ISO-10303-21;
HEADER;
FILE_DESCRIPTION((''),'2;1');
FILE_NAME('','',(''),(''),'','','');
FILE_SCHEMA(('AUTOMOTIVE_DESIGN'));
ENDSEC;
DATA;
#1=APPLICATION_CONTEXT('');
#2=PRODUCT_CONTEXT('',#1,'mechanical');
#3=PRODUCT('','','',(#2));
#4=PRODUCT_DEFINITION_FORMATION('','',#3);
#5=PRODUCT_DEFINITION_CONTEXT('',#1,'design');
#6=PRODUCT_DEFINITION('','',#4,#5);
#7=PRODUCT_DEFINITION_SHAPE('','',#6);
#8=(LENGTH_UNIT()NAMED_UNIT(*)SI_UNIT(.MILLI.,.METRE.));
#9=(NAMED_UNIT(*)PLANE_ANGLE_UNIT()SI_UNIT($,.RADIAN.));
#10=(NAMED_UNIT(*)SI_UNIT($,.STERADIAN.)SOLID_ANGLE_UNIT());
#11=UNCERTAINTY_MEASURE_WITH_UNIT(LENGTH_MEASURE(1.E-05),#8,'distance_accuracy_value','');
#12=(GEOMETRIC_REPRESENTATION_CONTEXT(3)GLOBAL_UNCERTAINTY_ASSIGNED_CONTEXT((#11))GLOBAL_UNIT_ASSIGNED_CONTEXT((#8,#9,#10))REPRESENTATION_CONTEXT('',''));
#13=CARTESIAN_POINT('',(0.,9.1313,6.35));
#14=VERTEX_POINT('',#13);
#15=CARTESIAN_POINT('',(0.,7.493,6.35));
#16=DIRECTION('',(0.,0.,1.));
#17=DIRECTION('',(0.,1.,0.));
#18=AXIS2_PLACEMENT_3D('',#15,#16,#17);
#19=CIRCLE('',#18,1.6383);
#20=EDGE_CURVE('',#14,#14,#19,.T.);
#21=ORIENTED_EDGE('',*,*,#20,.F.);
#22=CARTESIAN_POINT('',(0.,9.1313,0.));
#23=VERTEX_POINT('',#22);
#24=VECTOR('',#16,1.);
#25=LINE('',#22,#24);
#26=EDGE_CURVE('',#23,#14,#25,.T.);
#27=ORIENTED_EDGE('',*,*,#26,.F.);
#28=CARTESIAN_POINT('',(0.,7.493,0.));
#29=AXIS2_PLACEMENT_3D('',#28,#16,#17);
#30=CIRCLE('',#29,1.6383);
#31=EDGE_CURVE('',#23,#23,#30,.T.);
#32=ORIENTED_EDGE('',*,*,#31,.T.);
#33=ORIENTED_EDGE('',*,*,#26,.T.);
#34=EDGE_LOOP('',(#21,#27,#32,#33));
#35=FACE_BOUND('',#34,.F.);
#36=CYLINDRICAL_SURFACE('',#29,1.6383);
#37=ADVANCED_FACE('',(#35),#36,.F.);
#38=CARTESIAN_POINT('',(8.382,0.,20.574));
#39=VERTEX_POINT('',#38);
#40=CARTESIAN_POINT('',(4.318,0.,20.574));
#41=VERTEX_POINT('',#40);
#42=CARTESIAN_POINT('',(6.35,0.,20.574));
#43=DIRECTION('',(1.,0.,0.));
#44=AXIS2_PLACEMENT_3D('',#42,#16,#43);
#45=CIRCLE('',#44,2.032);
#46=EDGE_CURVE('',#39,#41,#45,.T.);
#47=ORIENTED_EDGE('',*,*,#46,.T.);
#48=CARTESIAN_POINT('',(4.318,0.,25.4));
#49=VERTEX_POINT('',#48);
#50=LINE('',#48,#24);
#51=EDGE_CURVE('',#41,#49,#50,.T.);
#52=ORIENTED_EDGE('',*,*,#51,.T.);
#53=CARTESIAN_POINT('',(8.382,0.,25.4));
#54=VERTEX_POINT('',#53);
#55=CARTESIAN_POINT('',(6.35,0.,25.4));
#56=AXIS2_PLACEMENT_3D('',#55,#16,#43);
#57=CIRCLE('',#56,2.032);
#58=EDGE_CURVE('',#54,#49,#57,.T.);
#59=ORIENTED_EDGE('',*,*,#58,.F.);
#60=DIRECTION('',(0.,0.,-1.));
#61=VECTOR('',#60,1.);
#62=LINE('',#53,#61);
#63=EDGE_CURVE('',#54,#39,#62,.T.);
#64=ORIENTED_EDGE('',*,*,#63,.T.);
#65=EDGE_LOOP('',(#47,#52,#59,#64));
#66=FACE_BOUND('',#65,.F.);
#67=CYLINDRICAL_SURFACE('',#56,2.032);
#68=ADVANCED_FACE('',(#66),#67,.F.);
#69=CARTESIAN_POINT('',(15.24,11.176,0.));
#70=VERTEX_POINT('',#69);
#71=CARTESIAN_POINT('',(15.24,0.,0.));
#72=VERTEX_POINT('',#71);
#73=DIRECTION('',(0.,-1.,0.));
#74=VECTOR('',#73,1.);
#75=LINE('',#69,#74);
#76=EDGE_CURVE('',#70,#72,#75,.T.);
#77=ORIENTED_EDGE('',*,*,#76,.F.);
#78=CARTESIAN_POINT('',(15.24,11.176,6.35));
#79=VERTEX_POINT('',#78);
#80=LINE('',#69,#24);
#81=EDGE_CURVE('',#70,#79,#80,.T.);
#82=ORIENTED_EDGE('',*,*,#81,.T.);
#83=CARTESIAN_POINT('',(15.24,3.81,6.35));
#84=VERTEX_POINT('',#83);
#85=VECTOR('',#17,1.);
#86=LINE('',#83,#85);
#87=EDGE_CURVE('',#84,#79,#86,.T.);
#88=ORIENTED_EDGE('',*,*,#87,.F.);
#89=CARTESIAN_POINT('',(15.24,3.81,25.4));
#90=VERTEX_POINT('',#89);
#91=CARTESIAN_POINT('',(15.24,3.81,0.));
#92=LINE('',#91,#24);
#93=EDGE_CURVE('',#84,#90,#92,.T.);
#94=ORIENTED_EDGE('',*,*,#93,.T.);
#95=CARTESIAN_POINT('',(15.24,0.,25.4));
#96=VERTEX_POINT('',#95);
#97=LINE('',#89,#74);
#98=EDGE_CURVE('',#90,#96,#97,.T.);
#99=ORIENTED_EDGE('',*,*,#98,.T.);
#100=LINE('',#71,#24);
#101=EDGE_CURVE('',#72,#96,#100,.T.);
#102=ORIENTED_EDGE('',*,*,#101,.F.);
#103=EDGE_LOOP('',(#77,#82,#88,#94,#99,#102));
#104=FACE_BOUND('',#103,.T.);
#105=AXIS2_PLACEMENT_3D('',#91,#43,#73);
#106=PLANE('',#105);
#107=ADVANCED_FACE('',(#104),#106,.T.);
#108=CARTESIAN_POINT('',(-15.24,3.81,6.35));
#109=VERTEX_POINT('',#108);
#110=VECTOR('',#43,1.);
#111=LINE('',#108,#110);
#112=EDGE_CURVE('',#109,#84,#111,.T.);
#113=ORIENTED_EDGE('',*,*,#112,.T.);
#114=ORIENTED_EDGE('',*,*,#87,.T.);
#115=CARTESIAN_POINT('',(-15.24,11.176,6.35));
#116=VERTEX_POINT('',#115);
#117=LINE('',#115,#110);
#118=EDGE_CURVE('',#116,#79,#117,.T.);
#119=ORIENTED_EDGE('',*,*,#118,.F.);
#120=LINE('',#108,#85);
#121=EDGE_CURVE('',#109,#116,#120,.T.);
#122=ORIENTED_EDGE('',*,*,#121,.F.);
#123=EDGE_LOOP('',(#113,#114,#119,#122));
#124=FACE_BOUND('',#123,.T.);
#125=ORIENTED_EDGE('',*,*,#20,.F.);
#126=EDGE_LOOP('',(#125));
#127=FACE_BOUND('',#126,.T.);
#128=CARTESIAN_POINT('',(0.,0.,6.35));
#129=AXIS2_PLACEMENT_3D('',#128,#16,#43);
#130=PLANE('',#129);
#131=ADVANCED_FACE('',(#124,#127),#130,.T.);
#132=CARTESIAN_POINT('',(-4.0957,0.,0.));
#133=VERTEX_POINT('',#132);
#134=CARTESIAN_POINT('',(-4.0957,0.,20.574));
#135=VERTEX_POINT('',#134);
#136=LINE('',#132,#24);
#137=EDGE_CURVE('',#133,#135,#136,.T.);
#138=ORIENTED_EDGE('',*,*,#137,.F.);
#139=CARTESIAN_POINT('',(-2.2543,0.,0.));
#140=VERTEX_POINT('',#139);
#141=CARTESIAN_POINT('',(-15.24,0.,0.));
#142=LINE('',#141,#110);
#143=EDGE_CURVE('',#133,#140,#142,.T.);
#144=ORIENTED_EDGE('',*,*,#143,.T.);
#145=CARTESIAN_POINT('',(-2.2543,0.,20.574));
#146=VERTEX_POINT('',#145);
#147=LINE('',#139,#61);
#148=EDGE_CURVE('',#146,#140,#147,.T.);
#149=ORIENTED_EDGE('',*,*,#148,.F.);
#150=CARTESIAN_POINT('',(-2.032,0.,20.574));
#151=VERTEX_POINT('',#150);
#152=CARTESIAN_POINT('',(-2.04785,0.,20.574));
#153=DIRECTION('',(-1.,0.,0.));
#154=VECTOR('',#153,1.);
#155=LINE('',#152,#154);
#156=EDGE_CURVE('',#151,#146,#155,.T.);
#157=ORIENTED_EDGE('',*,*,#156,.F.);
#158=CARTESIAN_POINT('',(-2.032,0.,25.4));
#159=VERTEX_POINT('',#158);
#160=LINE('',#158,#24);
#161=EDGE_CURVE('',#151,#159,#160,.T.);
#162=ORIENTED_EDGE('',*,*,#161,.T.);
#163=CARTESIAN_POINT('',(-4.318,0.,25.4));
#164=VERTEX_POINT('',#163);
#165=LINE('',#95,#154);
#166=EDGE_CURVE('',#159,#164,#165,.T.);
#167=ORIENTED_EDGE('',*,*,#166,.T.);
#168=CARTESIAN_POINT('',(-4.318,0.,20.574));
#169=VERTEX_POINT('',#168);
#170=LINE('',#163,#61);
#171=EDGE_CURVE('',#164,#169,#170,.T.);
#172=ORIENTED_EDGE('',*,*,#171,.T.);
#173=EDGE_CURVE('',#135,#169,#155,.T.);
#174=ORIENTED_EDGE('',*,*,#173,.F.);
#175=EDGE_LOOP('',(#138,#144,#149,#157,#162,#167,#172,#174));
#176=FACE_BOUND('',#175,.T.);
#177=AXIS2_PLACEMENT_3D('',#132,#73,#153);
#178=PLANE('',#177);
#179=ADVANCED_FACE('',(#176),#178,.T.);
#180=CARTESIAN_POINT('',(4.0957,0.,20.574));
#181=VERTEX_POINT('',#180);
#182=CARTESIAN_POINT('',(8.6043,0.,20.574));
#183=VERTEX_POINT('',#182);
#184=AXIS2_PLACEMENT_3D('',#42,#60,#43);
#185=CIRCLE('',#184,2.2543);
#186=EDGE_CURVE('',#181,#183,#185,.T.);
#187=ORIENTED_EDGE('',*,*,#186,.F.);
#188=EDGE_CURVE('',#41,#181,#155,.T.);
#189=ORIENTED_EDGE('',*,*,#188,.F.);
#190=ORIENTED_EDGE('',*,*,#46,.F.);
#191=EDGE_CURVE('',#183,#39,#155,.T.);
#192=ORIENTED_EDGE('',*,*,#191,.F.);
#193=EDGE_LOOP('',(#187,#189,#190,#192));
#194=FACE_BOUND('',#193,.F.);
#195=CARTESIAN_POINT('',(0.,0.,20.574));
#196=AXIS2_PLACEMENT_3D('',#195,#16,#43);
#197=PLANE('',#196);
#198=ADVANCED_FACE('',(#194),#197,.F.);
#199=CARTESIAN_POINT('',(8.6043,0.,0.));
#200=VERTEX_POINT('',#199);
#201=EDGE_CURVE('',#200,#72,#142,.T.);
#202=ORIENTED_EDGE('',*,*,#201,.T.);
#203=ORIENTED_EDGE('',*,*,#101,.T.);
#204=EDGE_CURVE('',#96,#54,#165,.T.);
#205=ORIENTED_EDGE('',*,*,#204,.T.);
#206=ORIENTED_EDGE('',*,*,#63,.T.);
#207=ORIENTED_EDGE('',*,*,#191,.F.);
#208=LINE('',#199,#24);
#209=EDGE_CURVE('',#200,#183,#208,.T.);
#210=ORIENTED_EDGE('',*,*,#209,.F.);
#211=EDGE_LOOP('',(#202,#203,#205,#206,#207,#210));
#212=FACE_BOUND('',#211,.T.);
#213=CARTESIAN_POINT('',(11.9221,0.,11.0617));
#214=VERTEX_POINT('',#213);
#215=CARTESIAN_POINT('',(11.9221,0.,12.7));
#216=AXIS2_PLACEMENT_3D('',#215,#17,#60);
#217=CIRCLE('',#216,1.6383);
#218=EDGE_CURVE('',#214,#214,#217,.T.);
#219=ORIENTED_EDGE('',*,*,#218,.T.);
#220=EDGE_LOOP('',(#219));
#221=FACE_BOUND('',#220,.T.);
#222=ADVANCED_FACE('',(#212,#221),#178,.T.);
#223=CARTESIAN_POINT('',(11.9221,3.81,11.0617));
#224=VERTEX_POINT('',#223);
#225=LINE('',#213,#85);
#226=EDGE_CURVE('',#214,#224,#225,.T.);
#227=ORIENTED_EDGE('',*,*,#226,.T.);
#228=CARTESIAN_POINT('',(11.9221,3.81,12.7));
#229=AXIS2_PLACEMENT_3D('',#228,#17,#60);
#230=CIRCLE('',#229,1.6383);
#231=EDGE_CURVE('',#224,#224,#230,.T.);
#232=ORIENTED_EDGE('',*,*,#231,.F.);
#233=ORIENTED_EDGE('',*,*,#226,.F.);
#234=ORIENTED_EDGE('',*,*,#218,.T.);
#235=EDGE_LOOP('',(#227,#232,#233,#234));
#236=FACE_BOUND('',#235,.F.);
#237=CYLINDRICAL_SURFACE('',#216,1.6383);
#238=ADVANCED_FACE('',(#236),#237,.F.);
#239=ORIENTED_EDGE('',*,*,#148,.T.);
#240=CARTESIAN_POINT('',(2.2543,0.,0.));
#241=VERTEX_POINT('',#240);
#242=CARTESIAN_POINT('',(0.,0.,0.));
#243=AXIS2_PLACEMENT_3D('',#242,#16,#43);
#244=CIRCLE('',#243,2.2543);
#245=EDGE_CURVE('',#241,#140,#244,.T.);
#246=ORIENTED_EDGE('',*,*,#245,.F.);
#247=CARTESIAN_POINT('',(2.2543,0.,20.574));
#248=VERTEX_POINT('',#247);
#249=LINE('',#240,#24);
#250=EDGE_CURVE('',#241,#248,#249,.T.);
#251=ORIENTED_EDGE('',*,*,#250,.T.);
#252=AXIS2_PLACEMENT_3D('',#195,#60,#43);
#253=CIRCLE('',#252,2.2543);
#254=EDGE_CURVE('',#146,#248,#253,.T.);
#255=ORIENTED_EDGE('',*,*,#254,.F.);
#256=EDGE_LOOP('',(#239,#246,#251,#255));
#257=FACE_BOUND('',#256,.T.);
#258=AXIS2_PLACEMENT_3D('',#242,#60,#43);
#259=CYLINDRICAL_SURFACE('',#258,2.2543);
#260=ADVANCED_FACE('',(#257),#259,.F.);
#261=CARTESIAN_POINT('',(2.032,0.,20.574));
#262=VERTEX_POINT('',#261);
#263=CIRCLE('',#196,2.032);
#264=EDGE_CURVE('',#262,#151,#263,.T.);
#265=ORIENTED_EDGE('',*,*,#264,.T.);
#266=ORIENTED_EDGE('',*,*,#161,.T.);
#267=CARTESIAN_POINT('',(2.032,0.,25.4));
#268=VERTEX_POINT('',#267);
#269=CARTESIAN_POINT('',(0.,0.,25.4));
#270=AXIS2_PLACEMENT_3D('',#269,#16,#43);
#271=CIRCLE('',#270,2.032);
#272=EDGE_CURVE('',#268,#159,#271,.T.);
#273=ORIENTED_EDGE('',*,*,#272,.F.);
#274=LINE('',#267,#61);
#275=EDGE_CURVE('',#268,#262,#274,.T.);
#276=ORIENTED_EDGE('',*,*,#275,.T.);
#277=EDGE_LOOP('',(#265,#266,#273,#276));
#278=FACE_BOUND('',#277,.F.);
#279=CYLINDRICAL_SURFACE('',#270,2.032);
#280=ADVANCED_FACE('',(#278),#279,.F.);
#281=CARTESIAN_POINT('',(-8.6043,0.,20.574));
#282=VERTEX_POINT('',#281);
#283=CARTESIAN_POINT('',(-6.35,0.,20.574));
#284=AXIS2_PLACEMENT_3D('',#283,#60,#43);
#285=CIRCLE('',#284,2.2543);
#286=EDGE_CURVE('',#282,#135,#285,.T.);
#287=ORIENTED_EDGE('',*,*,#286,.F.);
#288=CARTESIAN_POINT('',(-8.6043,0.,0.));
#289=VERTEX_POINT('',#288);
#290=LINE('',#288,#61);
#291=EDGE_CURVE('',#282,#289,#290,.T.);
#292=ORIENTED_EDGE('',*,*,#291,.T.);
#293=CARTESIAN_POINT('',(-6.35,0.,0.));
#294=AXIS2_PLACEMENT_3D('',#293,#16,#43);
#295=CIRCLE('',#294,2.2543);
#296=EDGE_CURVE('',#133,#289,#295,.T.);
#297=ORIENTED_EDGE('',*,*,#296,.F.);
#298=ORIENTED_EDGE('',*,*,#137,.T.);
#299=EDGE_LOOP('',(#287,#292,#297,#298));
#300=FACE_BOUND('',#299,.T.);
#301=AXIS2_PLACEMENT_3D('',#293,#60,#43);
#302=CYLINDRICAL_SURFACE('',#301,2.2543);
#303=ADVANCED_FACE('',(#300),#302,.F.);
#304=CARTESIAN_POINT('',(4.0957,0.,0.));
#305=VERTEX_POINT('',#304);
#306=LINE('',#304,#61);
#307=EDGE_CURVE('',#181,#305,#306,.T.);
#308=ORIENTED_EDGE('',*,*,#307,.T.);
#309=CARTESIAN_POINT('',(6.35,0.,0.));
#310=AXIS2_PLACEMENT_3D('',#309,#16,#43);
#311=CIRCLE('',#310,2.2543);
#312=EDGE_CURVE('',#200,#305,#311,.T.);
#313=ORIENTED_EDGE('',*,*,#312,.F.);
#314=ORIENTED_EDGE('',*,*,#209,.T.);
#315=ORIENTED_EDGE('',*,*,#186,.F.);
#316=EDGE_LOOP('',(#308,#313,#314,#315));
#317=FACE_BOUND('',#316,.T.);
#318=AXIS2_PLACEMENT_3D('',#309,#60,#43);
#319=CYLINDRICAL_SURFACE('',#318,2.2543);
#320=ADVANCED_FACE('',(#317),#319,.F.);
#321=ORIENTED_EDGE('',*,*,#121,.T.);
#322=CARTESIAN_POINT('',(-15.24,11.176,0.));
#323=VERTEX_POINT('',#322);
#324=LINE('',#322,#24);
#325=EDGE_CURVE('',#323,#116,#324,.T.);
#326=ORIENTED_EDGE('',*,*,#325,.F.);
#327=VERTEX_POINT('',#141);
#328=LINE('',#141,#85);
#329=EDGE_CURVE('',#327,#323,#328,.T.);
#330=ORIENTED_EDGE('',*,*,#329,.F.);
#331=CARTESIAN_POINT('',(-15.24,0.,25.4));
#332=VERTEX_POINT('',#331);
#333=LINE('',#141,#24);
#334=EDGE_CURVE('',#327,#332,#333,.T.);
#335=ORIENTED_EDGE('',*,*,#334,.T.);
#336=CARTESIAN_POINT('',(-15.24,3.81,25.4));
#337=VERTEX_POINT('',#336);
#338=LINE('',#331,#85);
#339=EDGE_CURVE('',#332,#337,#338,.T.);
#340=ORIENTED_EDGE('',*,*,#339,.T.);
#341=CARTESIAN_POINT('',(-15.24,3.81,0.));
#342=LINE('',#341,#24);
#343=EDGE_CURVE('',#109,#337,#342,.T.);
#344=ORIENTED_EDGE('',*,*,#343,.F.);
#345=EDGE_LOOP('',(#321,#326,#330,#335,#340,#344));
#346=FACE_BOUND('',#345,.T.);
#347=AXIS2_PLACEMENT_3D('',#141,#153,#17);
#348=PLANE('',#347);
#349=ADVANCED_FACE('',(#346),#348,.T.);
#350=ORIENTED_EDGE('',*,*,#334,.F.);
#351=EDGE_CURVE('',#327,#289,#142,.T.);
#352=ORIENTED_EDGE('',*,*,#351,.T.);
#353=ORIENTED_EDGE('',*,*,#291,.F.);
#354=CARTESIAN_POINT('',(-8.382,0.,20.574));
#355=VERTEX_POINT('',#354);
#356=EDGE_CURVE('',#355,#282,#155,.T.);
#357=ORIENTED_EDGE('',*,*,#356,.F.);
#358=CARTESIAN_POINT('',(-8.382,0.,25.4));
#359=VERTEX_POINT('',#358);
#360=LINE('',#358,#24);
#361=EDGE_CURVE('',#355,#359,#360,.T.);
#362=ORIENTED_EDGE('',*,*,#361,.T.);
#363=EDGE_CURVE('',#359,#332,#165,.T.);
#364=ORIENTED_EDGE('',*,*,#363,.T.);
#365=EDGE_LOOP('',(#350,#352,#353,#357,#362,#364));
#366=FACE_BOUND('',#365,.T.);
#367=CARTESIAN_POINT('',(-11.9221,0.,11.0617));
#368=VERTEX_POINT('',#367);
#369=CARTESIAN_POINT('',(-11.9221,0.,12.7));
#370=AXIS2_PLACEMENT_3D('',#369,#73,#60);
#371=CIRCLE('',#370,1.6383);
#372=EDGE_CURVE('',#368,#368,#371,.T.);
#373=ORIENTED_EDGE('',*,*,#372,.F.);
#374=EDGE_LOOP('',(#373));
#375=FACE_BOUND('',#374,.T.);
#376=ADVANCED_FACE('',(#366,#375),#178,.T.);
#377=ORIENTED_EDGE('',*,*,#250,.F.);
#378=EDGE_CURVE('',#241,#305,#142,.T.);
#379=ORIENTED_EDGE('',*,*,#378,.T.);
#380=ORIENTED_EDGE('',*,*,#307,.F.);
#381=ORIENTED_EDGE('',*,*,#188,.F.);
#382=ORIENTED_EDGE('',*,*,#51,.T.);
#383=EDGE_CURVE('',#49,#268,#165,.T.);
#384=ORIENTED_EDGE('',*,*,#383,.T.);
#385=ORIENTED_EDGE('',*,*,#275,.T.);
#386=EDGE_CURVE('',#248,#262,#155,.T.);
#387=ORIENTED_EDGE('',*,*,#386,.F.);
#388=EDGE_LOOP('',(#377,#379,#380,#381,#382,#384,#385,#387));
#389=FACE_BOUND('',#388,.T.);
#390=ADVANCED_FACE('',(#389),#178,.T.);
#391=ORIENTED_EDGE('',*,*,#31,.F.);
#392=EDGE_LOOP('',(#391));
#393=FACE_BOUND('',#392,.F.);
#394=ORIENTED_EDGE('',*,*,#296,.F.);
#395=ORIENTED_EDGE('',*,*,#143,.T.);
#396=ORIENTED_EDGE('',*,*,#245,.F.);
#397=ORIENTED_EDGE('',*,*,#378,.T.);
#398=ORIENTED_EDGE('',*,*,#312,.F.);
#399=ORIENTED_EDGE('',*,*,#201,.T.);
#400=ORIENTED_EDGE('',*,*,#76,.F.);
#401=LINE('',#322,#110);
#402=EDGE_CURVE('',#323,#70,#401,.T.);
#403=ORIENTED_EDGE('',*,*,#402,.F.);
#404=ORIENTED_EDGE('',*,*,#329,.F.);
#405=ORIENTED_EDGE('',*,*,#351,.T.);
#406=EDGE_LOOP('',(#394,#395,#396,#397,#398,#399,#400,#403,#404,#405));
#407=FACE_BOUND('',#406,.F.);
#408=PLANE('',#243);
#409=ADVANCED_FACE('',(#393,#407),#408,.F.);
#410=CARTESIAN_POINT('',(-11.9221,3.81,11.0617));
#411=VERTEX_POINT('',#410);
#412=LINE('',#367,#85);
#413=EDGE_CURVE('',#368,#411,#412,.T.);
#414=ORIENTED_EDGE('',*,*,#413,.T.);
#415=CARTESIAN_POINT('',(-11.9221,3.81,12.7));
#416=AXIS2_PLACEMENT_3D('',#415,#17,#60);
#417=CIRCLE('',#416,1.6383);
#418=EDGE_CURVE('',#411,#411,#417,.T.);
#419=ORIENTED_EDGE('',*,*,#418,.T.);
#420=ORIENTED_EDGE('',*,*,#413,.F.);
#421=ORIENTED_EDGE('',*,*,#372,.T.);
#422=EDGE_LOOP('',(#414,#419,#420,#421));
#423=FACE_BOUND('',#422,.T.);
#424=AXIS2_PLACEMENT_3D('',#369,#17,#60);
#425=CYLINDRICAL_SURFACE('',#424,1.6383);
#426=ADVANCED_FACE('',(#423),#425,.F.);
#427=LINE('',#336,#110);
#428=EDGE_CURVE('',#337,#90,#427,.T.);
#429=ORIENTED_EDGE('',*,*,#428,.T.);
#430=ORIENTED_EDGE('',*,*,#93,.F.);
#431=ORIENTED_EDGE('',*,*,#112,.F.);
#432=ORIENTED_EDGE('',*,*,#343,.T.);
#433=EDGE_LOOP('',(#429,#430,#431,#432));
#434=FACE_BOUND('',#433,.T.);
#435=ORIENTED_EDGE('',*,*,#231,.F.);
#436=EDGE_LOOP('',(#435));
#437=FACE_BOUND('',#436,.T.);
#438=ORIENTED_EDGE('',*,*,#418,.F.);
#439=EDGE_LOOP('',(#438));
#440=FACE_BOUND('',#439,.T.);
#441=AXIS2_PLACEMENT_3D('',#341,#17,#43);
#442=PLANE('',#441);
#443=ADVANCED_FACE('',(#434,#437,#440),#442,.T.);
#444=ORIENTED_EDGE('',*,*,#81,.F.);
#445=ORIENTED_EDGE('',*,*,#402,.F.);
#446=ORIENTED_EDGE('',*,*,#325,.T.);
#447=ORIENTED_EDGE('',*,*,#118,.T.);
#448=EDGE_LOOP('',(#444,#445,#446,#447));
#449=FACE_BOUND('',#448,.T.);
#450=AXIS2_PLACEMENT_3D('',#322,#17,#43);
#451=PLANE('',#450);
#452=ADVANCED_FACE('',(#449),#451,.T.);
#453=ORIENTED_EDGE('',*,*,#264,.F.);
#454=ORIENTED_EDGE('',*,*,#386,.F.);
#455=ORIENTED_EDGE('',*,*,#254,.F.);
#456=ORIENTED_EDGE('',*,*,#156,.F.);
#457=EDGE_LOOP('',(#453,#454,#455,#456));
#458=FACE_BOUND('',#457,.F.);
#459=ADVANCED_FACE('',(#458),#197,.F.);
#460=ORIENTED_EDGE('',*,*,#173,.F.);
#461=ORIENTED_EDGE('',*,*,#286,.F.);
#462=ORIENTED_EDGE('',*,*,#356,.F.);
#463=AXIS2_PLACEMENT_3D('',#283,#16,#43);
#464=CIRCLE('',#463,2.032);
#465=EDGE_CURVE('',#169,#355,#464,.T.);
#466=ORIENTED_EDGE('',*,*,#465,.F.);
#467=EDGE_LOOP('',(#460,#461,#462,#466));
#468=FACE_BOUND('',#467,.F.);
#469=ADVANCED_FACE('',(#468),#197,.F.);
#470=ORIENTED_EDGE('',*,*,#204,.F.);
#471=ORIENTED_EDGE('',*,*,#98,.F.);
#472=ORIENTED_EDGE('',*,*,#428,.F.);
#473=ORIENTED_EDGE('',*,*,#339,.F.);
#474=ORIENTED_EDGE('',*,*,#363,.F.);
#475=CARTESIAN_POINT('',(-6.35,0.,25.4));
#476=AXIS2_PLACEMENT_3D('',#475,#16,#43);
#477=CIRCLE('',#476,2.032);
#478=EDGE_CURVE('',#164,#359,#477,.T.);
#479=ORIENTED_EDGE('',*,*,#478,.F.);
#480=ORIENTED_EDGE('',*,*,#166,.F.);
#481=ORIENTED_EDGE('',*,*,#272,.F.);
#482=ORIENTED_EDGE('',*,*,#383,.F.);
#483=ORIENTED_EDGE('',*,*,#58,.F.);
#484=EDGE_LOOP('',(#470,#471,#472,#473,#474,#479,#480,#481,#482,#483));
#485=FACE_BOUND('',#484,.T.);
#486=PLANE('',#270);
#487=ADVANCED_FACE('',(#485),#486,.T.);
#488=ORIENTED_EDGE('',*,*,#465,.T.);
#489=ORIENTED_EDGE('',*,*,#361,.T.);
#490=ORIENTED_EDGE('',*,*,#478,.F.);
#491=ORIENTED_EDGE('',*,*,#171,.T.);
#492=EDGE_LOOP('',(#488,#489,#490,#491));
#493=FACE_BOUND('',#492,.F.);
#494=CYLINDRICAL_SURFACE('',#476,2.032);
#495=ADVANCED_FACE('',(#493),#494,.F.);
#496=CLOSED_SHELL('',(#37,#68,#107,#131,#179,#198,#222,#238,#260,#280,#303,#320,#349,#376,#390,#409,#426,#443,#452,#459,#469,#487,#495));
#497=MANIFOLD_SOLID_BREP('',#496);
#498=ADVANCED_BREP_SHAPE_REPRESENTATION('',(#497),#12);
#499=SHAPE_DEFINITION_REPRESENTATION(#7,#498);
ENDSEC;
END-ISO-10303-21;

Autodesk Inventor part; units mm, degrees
ref_plane "YZ Plane" through (0, 0, 0) normal (1, 0, 0) x (0, 1, 0)
ref_plane "XZ Plane" through (0, 0, 0) normal (0, 1, 0) x (-1, 0, 0)
ref_plane "XY Plane" through (0, 0, 0) normal (0, 0, 1) x (1, 0, 0)
sketch "Sketch1" plane through (0, 0, 0) normal (0, 0, 1) x (1, 0, 0)
  circle A0 centre (-6.35, 0) radius 2.2543
  circle A1 centre (0, 0) radius 2.2543
  circle A2 centre (6.35, 0) radius 2.2543
  line L0 (-15.24, 3.81) -> (15.24, 3.81)
  line L1 (15.24, 3.81) -> (15.24, 0)
  line L2 (15.24, 0) -> (-15.24, 0)
  line L3 (-15.24, 0) -> (-15.24, 3.81)
  dimension "d0" = 4.5085
  dimension "d3" = 6.35
  dimension "d4" = 6.35
  dimension "d5" = 3.81
  dimension "d6" = 30.48
extrude "Extrusion1" add sketch "Sketch1" along normal blind 25.4 contours L2 A0 | A0 L2 L3 L0 L1 A2 A1 | A1 L2 | A2 L2 picked at (-7.1014, 0.9966) picked at (0.5625, 0.4983) picked at (6.8906, 0.6781)
extrude "Extrusion2" cut sketch "Sketch1" along normal blind 20.574 contours L2 A0 | A0 L2 | L2 A1 | A1 L2 | L2 A2 | A2 L2
sketch "Sketch2" plane through (0, 0, 25.4) normal (0, 0, 1) x (1, 0, 0)
  circle A0 centre (0, 0) radius 2.2543 projected
  circle A1 centre (6.35, 0) radius 2.2543 projected
  circle A2 centre (-6.35, 0) radius 2.2543 projected
  circle A3 centre (-6.35, 0) radius 2.032
  circle A4 centre (0, 0) radius 2.032
  circle A5 centre (6.35, 0) radius 2.032
  dimension "d11" = 4.064
extrude "Extrusion3" cut sketch "Sketch2" against normal blind 4.826 contours A3 | A4 | A5
sketch "Sketch3" plane through (0, 0, 0) normal (0, 1, 0) x (-1, 0, 0)
  line L0 (15.24, 0) -> (-15.24, 0) construction
  line L1 (15.24, 0) -> (15.24, 25.4) construction
  line L2 (-15.24, 25.4) -> (15.24, 25.4) construction
  line L3 (-15.24, 0) -> (-15.24, 25.4) construction
  line L4 (-15.24, 12.7) -> (15.24, 12.7) construction
  line L5 (-8.6043, 20.574) -> (-8.6043, 0) construction
  line L6 (-11.9221, 12.7) -> (-8.6043, 12.7)
  line L7 (-11.9221, 12.7) -> (-15.24, 12.7)
hole "Hole1" at (11.9221, 0, 12.7) direction (0, 1, 0) diameter 3.2766 end through all clearance for "Oval Head Machine Screw" size "#4" standard "Ansi Unified Screw Threads"
mirror "Mirror1" about plane through (0, 0, 0) normal (1, 0, 0) of "Hole1"
sketch "Sketch7" plane through (0, 0, 0) normal (0, 0, 1) x (1, 0, 0)
  line L0 (-15.24, 3.81) -> (15.24, 3.81) projected
  line L1 (15.24, 3.81) -> (-15.24, 3.81)
  line L2 (-15.24, 3.81) -> (-15.24, 11.176)
  line L3 (-15.24, 11.176) -> (15.24, 11.176)
  line L4 (15.24, 11.176) -> (15.24, 3.81)
  line L5 (-15.24, 7.493) -> (15.24, 7.493)
  point P0 (0, 7.493)
  point P1 (0, 0)
  point P2 (0, 7.493)
  dimension "d36" = 3.683
extrude "Extrusion5" add sketch "Sketch7" along normal blind 6.35
hole "Hole2" at (0, 7.493, 0) direction (0, 0, 1) diameter 3.2766 end through all clearance for "Oval Head Machine Screw" size "#4" standard "Ansi Unified Screw Threads"
properties part number "keyhole holder"
